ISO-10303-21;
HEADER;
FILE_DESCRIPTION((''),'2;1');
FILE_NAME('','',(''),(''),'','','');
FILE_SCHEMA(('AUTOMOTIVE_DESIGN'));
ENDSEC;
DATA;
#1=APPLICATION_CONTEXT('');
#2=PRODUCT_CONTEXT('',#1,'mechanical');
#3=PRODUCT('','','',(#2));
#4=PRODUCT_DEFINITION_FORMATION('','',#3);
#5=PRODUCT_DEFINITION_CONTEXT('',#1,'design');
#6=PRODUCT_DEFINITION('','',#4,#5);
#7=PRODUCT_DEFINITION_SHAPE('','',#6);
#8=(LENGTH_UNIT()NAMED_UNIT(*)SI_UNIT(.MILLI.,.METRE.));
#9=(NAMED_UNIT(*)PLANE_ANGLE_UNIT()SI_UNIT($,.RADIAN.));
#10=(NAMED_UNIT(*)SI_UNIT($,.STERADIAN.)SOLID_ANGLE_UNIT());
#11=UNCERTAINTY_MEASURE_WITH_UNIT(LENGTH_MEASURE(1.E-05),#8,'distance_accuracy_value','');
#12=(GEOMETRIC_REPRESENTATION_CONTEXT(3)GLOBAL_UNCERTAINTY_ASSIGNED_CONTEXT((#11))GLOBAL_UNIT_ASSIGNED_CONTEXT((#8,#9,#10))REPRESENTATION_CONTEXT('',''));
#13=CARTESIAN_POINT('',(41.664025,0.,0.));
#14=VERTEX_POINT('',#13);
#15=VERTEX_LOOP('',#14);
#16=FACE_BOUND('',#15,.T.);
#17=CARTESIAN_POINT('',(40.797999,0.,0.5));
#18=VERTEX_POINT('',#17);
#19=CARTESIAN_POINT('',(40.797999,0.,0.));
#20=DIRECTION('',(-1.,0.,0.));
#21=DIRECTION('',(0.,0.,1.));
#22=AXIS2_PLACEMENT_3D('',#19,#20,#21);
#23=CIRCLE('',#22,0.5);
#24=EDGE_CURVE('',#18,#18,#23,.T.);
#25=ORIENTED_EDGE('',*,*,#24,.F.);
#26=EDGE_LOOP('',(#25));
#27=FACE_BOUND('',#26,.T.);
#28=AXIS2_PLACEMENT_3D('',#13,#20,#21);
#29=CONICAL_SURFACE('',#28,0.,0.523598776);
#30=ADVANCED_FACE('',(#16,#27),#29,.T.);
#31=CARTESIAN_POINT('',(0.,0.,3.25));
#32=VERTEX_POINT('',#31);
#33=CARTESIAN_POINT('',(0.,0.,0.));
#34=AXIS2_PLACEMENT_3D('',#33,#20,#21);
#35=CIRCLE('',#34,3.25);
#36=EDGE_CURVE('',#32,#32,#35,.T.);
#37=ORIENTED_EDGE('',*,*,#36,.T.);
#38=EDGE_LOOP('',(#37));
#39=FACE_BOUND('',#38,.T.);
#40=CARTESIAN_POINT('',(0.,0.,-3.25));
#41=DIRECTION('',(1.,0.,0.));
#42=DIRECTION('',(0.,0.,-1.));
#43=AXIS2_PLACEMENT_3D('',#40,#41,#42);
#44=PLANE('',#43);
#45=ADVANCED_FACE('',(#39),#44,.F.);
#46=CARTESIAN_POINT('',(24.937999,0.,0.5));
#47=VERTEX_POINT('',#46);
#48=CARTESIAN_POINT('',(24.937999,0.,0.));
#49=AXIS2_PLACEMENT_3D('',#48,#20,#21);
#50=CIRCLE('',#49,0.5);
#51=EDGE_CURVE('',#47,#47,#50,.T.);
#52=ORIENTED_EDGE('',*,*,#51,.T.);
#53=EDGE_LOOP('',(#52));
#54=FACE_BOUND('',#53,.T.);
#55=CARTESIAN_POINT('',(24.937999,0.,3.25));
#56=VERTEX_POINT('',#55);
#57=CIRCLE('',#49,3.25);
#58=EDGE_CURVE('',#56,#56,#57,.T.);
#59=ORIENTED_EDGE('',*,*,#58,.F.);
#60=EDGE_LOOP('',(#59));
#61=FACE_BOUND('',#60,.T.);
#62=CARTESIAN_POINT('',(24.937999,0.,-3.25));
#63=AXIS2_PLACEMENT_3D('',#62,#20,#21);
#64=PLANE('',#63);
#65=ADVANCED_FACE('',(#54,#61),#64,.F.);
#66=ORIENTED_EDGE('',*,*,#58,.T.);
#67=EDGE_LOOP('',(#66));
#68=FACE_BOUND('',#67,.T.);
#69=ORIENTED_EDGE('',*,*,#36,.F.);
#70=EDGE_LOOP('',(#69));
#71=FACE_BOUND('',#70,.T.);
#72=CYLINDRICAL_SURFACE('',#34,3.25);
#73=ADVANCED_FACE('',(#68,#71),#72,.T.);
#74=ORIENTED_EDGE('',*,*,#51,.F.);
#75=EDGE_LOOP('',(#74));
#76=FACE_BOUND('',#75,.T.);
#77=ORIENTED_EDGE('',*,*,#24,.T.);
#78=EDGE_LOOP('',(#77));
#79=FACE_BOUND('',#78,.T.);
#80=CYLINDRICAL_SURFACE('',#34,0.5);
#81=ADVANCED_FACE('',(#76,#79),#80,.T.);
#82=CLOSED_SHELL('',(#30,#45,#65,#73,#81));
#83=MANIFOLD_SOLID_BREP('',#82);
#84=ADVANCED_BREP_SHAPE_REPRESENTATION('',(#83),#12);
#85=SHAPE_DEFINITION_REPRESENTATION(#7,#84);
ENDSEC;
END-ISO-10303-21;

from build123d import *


with BuildPart() as part:
    # Sketch1 → Revolve1 (revolve)
    with BuildSketch(Plane(origin=(0, 0, 0), x_dir=(1, 0, 0), z_dir=(0, 1, 0)), mode=Mode.PRIVATE) as revolve1_sk:
        Polygon((40.7979994, 0.5), (41.664024804, 0), (0, 0), (0, 3.25), (24.9379994, 3.25), (24.9379994, 0.5), align=None)
    revolve(revolve1_sk.sketch.rotate(Axis((0, 0, 0), (1, 0, 0)), 180), axis=Axis((0, 0, 0), (1, 0, 0)))


solid = part.part
